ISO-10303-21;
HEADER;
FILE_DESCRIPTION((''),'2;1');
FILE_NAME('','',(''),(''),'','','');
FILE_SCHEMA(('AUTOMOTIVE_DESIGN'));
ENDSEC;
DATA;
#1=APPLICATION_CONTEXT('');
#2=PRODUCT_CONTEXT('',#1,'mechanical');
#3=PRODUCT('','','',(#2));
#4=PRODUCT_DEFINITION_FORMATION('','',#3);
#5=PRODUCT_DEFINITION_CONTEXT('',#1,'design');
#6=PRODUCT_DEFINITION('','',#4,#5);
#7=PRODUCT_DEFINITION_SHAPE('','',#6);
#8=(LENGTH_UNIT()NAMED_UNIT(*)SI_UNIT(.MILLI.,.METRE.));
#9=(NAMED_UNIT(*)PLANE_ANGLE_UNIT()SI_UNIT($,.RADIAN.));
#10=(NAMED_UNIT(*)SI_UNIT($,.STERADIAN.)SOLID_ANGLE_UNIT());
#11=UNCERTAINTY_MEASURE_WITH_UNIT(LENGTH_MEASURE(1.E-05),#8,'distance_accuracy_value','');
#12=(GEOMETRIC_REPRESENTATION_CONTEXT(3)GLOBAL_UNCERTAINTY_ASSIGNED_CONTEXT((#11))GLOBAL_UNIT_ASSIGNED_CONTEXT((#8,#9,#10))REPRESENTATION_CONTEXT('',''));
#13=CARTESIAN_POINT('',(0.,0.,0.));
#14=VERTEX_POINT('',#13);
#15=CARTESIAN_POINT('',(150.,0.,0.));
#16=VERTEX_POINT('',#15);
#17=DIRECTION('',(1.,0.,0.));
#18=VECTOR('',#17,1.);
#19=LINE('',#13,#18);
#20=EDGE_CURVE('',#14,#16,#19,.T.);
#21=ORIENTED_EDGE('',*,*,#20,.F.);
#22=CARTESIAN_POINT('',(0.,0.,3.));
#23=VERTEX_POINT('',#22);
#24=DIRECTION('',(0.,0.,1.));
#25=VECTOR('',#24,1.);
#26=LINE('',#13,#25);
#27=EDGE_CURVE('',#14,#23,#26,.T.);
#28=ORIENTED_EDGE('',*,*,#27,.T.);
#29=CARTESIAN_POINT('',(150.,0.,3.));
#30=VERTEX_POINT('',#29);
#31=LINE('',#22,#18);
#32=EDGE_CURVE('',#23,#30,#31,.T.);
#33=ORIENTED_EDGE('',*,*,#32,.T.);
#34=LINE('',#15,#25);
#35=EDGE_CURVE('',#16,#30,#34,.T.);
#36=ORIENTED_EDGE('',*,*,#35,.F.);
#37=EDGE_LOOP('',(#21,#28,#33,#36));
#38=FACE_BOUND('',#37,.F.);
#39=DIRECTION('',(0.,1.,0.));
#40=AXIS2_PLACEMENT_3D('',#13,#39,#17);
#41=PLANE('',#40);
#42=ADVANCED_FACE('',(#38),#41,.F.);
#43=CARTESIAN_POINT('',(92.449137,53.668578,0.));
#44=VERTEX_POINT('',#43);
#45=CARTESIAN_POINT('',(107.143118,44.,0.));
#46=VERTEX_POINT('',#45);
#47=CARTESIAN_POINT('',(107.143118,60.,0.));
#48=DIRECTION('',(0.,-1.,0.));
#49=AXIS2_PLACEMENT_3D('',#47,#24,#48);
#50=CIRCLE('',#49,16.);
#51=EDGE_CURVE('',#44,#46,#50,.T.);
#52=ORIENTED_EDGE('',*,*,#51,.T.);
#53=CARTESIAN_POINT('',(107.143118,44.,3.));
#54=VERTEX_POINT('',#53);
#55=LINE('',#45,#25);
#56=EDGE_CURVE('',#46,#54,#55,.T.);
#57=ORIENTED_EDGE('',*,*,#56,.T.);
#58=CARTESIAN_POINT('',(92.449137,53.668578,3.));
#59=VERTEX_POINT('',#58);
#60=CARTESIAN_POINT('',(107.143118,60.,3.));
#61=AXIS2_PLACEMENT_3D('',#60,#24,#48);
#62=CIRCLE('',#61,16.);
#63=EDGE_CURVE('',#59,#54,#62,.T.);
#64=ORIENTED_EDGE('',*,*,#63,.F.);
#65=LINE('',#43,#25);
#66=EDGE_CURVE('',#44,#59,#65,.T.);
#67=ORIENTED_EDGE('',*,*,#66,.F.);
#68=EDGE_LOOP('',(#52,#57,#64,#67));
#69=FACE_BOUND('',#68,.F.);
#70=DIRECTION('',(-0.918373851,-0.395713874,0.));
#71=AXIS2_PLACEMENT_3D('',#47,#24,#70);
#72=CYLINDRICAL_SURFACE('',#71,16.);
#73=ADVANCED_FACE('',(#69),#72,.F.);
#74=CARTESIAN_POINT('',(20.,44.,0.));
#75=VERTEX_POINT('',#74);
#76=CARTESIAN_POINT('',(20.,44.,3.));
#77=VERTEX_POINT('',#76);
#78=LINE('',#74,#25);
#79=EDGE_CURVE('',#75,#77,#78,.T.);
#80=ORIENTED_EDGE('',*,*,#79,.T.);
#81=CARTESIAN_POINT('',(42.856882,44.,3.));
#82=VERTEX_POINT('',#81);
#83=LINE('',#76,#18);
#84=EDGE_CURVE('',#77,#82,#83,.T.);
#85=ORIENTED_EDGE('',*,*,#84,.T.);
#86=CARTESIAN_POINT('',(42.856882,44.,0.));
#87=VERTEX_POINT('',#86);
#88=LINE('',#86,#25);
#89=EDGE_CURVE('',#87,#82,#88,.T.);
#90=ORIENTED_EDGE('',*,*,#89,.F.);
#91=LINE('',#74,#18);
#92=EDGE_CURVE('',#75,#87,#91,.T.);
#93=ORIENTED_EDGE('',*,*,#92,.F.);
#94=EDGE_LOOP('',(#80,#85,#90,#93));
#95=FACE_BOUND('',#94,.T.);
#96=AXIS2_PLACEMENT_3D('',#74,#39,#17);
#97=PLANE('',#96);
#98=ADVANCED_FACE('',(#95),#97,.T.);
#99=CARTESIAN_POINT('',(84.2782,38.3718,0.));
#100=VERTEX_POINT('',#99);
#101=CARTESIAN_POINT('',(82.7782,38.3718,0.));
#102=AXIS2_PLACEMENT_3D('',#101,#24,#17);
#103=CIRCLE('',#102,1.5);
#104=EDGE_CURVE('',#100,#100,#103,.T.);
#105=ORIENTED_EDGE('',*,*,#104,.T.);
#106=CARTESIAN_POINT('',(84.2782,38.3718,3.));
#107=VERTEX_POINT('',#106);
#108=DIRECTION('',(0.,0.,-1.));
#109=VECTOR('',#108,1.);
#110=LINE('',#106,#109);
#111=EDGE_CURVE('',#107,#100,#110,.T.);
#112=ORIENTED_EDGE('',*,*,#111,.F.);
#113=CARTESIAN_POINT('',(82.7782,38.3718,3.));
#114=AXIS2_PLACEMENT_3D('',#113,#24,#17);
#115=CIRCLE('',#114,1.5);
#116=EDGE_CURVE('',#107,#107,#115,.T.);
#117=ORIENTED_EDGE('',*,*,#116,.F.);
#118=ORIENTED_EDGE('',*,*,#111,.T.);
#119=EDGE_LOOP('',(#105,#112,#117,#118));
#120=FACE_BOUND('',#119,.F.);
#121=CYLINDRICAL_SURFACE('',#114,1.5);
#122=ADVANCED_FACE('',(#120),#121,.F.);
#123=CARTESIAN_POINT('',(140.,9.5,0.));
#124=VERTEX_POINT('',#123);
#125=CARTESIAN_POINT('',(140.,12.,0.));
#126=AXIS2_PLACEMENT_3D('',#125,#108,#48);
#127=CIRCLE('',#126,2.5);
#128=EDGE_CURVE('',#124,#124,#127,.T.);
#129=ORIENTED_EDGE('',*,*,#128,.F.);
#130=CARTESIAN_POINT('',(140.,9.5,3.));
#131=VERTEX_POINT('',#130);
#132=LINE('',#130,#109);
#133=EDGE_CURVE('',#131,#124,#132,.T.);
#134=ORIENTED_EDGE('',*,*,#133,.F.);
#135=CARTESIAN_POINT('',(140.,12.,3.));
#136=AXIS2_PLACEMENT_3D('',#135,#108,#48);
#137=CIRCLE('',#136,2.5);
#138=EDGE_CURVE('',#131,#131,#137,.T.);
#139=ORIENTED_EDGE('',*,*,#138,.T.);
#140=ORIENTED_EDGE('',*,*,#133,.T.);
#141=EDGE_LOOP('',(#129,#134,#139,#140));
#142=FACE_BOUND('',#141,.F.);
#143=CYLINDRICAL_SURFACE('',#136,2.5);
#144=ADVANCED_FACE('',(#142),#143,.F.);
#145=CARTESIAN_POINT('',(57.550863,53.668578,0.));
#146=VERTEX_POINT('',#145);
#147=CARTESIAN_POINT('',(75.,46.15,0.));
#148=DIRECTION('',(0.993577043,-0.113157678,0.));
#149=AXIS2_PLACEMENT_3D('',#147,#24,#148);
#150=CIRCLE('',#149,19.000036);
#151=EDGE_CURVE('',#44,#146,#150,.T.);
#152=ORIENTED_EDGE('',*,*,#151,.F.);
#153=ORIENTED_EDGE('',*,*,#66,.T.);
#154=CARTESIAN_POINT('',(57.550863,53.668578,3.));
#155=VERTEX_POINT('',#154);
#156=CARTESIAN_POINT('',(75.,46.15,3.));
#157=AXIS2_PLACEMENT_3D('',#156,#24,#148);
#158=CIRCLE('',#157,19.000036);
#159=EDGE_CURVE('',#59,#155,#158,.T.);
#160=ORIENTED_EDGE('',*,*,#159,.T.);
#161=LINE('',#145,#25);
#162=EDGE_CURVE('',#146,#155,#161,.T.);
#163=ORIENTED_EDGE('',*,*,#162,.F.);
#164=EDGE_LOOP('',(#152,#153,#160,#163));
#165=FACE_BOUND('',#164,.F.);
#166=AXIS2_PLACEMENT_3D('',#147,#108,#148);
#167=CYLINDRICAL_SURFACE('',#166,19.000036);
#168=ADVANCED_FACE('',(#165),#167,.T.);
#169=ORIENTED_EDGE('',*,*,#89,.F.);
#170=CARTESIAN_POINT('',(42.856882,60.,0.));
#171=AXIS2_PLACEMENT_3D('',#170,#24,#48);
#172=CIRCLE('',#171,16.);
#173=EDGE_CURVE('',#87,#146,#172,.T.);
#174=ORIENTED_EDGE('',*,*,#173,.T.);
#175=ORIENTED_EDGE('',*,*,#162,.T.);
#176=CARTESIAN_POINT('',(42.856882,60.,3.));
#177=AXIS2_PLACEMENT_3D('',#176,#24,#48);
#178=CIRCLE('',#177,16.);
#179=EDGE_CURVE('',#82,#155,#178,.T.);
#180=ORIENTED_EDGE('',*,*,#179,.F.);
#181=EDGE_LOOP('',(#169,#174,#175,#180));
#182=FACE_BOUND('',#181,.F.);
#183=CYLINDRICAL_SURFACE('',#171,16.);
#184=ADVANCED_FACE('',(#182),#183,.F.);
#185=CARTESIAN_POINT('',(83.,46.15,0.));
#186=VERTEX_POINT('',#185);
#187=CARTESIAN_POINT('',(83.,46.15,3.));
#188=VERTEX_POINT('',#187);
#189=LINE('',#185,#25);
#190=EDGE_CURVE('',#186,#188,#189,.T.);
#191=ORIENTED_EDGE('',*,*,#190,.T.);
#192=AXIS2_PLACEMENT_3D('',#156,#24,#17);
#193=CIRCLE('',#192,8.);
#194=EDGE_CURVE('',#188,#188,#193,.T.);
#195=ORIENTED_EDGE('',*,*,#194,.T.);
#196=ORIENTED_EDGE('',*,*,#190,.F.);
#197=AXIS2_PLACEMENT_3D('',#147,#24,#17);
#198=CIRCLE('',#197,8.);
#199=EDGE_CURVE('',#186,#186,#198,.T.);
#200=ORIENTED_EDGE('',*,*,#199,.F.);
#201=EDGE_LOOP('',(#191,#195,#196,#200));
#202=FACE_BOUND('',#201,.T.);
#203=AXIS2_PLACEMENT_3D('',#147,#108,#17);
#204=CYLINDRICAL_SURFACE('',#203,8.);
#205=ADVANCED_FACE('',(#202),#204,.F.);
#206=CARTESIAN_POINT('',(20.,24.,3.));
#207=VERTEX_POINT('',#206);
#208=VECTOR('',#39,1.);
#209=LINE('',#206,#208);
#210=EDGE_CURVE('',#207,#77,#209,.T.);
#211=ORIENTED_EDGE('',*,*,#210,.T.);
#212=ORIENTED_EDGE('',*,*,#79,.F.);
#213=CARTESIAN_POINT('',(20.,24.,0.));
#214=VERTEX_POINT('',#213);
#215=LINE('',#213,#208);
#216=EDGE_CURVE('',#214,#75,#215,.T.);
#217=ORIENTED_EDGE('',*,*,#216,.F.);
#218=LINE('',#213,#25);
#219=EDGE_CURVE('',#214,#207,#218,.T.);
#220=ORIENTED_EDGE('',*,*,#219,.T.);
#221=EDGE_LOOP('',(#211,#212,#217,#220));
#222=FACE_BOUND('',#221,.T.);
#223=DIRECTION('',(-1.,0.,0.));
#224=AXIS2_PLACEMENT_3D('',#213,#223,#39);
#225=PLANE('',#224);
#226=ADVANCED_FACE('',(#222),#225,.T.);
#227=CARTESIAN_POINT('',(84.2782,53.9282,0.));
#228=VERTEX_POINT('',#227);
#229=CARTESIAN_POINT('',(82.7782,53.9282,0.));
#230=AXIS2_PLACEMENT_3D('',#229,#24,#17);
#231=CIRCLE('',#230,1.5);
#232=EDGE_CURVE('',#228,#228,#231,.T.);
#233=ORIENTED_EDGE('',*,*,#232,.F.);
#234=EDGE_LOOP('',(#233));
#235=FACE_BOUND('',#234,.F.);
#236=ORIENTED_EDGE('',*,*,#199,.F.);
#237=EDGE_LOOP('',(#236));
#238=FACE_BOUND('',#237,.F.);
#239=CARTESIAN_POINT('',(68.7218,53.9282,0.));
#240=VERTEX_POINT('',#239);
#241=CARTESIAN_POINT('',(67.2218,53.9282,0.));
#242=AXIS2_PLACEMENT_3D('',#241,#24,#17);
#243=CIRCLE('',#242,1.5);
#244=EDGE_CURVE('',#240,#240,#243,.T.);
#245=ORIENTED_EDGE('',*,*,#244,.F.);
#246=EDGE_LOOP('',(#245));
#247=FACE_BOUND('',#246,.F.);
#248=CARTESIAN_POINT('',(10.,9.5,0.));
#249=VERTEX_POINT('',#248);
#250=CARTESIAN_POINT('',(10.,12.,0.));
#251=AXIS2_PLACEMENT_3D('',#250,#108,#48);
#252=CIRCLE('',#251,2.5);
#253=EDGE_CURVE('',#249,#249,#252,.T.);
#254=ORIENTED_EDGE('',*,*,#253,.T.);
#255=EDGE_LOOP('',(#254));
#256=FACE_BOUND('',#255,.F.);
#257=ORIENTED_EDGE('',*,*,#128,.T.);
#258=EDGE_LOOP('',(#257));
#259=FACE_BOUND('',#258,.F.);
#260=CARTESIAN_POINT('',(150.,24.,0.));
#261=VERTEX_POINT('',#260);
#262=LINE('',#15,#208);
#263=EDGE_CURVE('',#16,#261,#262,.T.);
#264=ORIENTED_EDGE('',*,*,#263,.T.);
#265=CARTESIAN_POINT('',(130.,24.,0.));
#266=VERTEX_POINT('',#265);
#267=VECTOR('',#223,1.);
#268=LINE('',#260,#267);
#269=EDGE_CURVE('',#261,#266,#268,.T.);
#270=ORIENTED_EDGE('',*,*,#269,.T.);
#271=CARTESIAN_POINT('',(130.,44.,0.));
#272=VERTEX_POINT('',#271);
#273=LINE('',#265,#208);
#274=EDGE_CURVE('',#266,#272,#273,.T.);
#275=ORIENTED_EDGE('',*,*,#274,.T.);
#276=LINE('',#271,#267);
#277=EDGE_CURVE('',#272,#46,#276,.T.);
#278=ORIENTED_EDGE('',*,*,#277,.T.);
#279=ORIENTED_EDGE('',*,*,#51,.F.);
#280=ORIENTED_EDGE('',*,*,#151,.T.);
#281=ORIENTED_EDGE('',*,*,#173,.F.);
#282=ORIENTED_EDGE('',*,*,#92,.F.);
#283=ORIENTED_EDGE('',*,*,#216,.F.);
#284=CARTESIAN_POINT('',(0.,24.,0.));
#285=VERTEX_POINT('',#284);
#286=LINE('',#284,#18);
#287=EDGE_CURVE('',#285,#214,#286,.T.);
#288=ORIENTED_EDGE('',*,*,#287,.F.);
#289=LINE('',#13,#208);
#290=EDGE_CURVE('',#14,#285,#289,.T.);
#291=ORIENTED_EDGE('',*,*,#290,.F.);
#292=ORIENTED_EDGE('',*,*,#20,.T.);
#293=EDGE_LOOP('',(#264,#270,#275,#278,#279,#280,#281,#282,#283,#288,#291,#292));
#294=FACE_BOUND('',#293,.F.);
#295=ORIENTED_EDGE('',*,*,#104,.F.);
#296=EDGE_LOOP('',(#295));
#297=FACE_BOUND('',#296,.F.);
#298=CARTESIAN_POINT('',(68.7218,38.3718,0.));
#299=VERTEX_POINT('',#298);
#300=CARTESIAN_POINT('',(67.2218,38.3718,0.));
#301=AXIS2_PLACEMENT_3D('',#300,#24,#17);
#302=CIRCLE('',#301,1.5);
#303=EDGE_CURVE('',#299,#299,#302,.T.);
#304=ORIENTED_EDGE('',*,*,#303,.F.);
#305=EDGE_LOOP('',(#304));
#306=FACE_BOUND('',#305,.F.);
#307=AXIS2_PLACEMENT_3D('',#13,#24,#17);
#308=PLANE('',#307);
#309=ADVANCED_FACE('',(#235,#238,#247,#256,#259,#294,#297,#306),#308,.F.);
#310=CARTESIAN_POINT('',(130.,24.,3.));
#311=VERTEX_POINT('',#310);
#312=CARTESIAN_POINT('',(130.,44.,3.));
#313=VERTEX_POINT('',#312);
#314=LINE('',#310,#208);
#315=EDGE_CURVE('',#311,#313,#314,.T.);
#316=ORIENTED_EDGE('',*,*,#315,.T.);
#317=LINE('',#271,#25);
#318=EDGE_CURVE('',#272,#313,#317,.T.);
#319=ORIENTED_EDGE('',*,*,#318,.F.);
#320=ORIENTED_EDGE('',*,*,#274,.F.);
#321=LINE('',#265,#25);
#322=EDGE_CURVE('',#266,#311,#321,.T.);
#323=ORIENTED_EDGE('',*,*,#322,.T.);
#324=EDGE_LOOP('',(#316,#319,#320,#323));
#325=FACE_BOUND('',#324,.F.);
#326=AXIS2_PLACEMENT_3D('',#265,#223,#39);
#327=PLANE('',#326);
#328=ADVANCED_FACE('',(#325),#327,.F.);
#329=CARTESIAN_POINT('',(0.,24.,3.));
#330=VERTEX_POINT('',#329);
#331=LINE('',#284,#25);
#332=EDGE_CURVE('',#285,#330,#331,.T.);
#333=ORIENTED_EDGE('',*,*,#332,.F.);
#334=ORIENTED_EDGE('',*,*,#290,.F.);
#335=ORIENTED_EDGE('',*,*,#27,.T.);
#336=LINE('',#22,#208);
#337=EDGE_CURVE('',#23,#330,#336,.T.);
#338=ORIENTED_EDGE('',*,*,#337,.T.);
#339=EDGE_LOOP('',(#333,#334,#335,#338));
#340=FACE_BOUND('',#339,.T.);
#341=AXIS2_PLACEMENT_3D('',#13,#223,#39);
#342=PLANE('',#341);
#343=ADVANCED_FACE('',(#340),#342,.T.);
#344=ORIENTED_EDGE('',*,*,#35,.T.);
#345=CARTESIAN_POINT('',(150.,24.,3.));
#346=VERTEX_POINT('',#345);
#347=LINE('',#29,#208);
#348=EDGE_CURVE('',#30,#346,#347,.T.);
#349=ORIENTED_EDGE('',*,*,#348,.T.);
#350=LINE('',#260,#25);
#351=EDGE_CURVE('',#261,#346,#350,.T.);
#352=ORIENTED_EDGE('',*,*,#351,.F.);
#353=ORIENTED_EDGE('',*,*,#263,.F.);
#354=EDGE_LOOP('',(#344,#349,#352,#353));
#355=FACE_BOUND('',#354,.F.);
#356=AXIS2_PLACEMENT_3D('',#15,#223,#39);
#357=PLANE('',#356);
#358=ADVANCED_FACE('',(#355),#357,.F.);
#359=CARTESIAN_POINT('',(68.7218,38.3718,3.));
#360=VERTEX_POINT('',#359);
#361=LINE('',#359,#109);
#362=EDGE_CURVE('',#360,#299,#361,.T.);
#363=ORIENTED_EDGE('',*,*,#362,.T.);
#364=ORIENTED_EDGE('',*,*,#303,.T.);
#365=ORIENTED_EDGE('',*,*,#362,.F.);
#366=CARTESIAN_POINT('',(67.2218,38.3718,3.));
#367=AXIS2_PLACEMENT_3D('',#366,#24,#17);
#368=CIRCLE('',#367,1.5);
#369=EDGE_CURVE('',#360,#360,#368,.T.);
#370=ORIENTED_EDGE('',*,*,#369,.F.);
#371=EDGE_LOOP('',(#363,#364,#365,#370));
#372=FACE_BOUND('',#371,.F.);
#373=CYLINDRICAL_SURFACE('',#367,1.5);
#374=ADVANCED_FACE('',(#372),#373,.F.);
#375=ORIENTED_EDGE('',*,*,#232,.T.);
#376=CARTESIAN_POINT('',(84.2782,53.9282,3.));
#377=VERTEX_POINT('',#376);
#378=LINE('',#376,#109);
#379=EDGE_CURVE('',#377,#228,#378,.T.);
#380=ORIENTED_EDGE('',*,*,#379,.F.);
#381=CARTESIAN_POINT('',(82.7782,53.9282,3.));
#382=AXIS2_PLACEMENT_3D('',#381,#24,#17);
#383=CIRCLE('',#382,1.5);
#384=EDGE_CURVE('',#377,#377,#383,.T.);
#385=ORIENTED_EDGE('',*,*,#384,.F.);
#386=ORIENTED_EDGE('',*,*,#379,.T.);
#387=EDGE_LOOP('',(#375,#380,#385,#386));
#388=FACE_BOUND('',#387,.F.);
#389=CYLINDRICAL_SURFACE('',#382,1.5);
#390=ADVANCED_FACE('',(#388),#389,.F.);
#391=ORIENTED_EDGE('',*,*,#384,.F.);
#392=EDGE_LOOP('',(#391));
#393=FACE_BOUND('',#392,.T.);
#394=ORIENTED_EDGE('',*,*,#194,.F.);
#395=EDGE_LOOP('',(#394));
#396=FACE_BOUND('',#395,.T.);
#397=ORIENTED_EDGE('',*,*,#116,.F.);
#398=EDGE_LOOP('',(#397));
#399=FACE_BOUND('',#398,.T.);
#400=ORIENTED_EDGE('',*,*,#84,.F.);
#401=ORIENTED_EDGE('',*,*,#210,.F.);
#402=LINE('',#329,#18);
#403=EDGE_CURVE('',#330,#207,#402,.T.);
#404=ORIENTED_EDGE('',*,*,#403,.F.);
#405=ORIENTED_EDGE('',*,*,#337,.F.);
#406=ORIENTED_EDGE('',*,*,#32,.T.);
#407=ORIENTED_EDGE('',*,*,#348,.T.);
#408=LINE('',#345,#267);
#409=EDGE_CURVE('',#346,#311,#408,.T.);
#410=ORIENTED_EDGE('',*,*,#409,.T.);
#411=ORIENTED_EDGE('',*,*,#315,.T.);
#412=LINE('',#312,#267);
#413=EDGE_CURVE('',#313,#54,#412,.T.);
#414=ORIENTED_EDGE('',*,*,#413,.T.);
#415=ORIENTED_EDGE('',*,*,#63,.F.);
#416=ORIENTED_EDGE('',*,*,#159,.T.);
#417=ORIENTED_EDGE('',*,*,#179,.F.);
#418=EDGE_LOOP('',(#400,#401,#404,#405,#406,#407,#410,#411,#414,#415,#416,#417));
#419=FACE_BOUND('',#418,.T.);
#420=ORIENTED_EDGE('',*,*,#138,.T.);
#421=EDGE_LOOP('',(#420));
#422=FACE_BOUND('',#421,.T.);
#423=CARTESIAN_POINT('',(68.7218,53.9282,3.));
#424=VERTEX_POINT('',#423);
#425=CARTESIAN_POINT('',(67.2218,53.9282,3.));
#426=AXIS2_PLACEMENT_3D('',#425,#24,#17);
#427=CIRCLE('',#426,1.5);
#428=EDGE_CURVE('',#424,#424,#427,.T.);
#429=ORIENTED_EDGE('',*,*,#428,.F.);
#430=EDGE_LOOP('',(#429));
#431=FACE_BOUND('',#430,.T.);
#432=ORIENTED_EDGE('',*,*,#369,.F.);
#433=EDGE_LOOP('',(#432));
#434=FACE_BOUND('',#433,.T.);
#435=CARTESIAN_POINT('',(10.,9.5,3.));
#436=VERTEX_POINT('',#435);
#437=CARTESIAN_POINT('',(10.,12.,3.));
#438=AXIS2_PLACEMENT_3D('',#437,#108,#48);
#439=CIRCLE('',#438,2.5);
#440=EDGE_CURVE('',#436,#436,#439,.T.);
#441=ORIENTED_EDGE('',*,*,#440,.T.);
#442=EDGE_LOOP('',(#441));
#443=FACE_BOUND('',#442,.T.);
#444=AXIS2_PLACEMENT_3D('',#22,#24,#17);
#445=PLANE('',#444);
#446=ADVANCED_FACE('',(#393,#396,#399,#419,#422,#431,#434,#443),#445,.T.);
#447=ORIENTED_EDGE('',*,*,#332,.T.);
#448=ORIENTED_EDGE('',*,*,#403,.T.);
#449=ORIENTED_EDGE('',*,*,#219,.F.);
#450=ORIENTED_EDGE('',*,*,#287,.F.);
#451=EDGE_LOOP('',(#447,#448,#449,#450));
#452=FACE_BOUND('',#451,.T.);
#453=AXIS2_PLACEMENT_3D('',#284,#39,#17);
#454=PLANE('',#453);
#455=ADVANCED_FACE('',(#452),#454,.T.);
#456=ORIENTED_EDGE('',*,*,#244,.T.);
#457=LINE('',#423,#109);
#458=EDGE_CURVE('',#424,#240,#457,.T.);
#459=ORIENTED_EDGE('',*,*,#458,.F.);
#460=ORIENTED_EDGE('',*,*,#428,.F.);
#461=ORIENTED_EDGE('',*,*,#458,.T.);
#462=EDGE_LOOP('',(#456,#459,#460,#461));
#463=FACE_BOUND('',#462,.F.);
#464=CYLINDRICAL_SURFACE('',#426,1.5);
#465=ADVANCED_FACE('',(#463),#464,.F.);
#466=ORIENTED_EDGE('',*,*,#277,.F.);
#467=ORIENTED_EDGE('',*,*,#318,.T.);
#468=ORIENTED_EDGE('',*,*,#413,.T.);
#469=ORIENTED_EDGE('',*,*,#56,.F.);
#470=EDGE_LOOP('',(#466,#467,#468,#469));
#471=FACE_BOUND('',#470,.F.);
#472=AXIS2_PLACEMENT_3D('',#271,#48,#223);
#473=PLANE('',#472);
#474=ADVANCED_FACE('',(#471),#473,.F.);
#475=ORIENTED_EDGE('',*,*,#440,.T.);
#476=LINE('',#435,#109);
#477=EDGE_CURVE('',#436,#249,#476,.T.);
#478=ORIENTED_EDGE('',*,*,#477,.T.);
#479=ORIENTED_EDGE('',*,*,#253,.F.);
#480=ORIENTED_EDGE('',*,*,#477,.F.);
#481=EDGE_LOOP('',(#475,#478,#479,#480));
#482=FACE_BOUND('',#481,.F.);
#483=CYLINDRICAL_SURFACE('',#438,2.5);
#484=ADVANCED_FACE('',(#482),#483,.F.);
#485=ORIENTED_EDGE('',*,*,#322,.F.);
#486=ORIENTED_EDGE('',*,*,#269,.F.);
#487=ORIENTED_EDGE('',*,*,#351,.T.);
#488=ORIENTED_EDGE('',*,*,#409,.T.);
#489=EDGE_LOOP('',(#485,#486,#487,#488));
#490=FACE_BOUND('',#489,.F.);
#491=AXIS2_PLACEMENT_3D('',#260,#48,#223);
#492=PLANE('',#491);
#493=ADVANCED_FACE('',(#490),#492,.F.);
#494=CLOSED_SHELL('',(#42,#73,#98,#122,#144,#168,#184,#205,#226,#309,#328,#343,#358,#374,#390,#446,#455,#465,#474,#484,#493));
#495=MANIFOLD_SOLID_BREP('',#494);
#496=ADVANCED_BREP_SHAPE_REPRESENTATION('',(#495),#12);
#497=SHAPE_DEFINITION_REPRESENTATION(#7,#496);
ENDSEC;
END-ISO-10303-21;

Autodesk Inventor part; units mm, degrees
ref_plane "YZ Plane" through (0, 0, 0) normal (1, 0, 0) x (0, 1, 0)
ref_plane "XZ Plane" through (0, 0, 0) normal (0, 1, 0) x (-1, 0, 0)
ref_plane "XY Plane" through (0, 0, 0) normal (0, 0, 1) x (1, 0, 0)
sketch "Sketch1" plane through (0, 0, 0) normal (0, 0, 1) x (1, 0, 0)
  line L0 (0, 0) -> (150, 0)
  line L1 (0, 0) -> (0, 24)
  line L2 (0, 24) -> (20, 24)
  circle A0 centre (75, 46.15) radius 8
  line L3 (20, 24) -> (20, 44)
  line L4 (20, 44) -> (56.122, 44)
  line L5 (150, 0) -> (150, 24)
  line L6 (150, 24) -> (130, 24)
  line L7 (130, 24) -> (130, 44)
  line L8 (130, 44) -> (93.878, 44)
  arc A1 (93.878, 44) -> (56.122, 44) centre (75, 46.15) ccw
  dimension "d0" = 150
  dimension "d1" = 24
  dimension "d3" = 16
  dimension "d4" = 20
  dimension "d5" = 38
  dimension "d6" = 75
  dimension "d7" = 22.15
  dimension "d19" = 20
  dimension "d20" = 20
extrude "Extrusion1" add sketch "Sketch1" along normal blind 3
fillet "Fillet1" radius 16 2 edges at (56.122, 44, 1.5) (93.878, 44, 1.5)
sketch "Sketch2" plane through (0, 0, 3) normal (0, 0, 1) x (1, 0, 0)
  circle A0 centre (82.7782, 53.9282) radius 1.5
  circle A1 centre (67.2218, 53.9282) radius 1.5
  circle A2 centre (67.2218, 38.3718) radius 1.5
  circle A3 centre (82.7782, 38.3718) radius 1.5
  circle A4 centre (75, 46.15) radius 8 projected
  circle A5 centre (75, 46.15) radius 11 construction
  line L0 (82.7782, 38.3718) -> (67.2218, 38.3718) construction
  line L1 (67.2218, 38.3718) -> (67.2218, 53.9282) construction
  dimension "d22" = 3
  dimension "d26" = 22
extrude "Extrusion2" cut sketch "Sketch2" against normal up to surface (3 mm away) contours A0 | A1 | A2 | A3
sketch "Sketch3" plane through (0, 0, 3) normal (0, 0, 1) x (1, 0, 0)
  line L0 (0, 0) -> (150, 0) projected
  line L1 (150, 0) -> (150, 24) projected
  line L2 (0, 24) -> (0, 0) projected
  point P0 (10, 12)
  point P1 (140, 12)
  dimension "d27" = 10
  dimension "d28" = 10
  dimension "d29" = 12
hole "Hole1" at (10, 12, 3) at (140, 12, 3) direction (0, 0, -1) diameter 5 end through all
properties part number "ZAxisNutMountMetal" material "Steel, Alloy"
